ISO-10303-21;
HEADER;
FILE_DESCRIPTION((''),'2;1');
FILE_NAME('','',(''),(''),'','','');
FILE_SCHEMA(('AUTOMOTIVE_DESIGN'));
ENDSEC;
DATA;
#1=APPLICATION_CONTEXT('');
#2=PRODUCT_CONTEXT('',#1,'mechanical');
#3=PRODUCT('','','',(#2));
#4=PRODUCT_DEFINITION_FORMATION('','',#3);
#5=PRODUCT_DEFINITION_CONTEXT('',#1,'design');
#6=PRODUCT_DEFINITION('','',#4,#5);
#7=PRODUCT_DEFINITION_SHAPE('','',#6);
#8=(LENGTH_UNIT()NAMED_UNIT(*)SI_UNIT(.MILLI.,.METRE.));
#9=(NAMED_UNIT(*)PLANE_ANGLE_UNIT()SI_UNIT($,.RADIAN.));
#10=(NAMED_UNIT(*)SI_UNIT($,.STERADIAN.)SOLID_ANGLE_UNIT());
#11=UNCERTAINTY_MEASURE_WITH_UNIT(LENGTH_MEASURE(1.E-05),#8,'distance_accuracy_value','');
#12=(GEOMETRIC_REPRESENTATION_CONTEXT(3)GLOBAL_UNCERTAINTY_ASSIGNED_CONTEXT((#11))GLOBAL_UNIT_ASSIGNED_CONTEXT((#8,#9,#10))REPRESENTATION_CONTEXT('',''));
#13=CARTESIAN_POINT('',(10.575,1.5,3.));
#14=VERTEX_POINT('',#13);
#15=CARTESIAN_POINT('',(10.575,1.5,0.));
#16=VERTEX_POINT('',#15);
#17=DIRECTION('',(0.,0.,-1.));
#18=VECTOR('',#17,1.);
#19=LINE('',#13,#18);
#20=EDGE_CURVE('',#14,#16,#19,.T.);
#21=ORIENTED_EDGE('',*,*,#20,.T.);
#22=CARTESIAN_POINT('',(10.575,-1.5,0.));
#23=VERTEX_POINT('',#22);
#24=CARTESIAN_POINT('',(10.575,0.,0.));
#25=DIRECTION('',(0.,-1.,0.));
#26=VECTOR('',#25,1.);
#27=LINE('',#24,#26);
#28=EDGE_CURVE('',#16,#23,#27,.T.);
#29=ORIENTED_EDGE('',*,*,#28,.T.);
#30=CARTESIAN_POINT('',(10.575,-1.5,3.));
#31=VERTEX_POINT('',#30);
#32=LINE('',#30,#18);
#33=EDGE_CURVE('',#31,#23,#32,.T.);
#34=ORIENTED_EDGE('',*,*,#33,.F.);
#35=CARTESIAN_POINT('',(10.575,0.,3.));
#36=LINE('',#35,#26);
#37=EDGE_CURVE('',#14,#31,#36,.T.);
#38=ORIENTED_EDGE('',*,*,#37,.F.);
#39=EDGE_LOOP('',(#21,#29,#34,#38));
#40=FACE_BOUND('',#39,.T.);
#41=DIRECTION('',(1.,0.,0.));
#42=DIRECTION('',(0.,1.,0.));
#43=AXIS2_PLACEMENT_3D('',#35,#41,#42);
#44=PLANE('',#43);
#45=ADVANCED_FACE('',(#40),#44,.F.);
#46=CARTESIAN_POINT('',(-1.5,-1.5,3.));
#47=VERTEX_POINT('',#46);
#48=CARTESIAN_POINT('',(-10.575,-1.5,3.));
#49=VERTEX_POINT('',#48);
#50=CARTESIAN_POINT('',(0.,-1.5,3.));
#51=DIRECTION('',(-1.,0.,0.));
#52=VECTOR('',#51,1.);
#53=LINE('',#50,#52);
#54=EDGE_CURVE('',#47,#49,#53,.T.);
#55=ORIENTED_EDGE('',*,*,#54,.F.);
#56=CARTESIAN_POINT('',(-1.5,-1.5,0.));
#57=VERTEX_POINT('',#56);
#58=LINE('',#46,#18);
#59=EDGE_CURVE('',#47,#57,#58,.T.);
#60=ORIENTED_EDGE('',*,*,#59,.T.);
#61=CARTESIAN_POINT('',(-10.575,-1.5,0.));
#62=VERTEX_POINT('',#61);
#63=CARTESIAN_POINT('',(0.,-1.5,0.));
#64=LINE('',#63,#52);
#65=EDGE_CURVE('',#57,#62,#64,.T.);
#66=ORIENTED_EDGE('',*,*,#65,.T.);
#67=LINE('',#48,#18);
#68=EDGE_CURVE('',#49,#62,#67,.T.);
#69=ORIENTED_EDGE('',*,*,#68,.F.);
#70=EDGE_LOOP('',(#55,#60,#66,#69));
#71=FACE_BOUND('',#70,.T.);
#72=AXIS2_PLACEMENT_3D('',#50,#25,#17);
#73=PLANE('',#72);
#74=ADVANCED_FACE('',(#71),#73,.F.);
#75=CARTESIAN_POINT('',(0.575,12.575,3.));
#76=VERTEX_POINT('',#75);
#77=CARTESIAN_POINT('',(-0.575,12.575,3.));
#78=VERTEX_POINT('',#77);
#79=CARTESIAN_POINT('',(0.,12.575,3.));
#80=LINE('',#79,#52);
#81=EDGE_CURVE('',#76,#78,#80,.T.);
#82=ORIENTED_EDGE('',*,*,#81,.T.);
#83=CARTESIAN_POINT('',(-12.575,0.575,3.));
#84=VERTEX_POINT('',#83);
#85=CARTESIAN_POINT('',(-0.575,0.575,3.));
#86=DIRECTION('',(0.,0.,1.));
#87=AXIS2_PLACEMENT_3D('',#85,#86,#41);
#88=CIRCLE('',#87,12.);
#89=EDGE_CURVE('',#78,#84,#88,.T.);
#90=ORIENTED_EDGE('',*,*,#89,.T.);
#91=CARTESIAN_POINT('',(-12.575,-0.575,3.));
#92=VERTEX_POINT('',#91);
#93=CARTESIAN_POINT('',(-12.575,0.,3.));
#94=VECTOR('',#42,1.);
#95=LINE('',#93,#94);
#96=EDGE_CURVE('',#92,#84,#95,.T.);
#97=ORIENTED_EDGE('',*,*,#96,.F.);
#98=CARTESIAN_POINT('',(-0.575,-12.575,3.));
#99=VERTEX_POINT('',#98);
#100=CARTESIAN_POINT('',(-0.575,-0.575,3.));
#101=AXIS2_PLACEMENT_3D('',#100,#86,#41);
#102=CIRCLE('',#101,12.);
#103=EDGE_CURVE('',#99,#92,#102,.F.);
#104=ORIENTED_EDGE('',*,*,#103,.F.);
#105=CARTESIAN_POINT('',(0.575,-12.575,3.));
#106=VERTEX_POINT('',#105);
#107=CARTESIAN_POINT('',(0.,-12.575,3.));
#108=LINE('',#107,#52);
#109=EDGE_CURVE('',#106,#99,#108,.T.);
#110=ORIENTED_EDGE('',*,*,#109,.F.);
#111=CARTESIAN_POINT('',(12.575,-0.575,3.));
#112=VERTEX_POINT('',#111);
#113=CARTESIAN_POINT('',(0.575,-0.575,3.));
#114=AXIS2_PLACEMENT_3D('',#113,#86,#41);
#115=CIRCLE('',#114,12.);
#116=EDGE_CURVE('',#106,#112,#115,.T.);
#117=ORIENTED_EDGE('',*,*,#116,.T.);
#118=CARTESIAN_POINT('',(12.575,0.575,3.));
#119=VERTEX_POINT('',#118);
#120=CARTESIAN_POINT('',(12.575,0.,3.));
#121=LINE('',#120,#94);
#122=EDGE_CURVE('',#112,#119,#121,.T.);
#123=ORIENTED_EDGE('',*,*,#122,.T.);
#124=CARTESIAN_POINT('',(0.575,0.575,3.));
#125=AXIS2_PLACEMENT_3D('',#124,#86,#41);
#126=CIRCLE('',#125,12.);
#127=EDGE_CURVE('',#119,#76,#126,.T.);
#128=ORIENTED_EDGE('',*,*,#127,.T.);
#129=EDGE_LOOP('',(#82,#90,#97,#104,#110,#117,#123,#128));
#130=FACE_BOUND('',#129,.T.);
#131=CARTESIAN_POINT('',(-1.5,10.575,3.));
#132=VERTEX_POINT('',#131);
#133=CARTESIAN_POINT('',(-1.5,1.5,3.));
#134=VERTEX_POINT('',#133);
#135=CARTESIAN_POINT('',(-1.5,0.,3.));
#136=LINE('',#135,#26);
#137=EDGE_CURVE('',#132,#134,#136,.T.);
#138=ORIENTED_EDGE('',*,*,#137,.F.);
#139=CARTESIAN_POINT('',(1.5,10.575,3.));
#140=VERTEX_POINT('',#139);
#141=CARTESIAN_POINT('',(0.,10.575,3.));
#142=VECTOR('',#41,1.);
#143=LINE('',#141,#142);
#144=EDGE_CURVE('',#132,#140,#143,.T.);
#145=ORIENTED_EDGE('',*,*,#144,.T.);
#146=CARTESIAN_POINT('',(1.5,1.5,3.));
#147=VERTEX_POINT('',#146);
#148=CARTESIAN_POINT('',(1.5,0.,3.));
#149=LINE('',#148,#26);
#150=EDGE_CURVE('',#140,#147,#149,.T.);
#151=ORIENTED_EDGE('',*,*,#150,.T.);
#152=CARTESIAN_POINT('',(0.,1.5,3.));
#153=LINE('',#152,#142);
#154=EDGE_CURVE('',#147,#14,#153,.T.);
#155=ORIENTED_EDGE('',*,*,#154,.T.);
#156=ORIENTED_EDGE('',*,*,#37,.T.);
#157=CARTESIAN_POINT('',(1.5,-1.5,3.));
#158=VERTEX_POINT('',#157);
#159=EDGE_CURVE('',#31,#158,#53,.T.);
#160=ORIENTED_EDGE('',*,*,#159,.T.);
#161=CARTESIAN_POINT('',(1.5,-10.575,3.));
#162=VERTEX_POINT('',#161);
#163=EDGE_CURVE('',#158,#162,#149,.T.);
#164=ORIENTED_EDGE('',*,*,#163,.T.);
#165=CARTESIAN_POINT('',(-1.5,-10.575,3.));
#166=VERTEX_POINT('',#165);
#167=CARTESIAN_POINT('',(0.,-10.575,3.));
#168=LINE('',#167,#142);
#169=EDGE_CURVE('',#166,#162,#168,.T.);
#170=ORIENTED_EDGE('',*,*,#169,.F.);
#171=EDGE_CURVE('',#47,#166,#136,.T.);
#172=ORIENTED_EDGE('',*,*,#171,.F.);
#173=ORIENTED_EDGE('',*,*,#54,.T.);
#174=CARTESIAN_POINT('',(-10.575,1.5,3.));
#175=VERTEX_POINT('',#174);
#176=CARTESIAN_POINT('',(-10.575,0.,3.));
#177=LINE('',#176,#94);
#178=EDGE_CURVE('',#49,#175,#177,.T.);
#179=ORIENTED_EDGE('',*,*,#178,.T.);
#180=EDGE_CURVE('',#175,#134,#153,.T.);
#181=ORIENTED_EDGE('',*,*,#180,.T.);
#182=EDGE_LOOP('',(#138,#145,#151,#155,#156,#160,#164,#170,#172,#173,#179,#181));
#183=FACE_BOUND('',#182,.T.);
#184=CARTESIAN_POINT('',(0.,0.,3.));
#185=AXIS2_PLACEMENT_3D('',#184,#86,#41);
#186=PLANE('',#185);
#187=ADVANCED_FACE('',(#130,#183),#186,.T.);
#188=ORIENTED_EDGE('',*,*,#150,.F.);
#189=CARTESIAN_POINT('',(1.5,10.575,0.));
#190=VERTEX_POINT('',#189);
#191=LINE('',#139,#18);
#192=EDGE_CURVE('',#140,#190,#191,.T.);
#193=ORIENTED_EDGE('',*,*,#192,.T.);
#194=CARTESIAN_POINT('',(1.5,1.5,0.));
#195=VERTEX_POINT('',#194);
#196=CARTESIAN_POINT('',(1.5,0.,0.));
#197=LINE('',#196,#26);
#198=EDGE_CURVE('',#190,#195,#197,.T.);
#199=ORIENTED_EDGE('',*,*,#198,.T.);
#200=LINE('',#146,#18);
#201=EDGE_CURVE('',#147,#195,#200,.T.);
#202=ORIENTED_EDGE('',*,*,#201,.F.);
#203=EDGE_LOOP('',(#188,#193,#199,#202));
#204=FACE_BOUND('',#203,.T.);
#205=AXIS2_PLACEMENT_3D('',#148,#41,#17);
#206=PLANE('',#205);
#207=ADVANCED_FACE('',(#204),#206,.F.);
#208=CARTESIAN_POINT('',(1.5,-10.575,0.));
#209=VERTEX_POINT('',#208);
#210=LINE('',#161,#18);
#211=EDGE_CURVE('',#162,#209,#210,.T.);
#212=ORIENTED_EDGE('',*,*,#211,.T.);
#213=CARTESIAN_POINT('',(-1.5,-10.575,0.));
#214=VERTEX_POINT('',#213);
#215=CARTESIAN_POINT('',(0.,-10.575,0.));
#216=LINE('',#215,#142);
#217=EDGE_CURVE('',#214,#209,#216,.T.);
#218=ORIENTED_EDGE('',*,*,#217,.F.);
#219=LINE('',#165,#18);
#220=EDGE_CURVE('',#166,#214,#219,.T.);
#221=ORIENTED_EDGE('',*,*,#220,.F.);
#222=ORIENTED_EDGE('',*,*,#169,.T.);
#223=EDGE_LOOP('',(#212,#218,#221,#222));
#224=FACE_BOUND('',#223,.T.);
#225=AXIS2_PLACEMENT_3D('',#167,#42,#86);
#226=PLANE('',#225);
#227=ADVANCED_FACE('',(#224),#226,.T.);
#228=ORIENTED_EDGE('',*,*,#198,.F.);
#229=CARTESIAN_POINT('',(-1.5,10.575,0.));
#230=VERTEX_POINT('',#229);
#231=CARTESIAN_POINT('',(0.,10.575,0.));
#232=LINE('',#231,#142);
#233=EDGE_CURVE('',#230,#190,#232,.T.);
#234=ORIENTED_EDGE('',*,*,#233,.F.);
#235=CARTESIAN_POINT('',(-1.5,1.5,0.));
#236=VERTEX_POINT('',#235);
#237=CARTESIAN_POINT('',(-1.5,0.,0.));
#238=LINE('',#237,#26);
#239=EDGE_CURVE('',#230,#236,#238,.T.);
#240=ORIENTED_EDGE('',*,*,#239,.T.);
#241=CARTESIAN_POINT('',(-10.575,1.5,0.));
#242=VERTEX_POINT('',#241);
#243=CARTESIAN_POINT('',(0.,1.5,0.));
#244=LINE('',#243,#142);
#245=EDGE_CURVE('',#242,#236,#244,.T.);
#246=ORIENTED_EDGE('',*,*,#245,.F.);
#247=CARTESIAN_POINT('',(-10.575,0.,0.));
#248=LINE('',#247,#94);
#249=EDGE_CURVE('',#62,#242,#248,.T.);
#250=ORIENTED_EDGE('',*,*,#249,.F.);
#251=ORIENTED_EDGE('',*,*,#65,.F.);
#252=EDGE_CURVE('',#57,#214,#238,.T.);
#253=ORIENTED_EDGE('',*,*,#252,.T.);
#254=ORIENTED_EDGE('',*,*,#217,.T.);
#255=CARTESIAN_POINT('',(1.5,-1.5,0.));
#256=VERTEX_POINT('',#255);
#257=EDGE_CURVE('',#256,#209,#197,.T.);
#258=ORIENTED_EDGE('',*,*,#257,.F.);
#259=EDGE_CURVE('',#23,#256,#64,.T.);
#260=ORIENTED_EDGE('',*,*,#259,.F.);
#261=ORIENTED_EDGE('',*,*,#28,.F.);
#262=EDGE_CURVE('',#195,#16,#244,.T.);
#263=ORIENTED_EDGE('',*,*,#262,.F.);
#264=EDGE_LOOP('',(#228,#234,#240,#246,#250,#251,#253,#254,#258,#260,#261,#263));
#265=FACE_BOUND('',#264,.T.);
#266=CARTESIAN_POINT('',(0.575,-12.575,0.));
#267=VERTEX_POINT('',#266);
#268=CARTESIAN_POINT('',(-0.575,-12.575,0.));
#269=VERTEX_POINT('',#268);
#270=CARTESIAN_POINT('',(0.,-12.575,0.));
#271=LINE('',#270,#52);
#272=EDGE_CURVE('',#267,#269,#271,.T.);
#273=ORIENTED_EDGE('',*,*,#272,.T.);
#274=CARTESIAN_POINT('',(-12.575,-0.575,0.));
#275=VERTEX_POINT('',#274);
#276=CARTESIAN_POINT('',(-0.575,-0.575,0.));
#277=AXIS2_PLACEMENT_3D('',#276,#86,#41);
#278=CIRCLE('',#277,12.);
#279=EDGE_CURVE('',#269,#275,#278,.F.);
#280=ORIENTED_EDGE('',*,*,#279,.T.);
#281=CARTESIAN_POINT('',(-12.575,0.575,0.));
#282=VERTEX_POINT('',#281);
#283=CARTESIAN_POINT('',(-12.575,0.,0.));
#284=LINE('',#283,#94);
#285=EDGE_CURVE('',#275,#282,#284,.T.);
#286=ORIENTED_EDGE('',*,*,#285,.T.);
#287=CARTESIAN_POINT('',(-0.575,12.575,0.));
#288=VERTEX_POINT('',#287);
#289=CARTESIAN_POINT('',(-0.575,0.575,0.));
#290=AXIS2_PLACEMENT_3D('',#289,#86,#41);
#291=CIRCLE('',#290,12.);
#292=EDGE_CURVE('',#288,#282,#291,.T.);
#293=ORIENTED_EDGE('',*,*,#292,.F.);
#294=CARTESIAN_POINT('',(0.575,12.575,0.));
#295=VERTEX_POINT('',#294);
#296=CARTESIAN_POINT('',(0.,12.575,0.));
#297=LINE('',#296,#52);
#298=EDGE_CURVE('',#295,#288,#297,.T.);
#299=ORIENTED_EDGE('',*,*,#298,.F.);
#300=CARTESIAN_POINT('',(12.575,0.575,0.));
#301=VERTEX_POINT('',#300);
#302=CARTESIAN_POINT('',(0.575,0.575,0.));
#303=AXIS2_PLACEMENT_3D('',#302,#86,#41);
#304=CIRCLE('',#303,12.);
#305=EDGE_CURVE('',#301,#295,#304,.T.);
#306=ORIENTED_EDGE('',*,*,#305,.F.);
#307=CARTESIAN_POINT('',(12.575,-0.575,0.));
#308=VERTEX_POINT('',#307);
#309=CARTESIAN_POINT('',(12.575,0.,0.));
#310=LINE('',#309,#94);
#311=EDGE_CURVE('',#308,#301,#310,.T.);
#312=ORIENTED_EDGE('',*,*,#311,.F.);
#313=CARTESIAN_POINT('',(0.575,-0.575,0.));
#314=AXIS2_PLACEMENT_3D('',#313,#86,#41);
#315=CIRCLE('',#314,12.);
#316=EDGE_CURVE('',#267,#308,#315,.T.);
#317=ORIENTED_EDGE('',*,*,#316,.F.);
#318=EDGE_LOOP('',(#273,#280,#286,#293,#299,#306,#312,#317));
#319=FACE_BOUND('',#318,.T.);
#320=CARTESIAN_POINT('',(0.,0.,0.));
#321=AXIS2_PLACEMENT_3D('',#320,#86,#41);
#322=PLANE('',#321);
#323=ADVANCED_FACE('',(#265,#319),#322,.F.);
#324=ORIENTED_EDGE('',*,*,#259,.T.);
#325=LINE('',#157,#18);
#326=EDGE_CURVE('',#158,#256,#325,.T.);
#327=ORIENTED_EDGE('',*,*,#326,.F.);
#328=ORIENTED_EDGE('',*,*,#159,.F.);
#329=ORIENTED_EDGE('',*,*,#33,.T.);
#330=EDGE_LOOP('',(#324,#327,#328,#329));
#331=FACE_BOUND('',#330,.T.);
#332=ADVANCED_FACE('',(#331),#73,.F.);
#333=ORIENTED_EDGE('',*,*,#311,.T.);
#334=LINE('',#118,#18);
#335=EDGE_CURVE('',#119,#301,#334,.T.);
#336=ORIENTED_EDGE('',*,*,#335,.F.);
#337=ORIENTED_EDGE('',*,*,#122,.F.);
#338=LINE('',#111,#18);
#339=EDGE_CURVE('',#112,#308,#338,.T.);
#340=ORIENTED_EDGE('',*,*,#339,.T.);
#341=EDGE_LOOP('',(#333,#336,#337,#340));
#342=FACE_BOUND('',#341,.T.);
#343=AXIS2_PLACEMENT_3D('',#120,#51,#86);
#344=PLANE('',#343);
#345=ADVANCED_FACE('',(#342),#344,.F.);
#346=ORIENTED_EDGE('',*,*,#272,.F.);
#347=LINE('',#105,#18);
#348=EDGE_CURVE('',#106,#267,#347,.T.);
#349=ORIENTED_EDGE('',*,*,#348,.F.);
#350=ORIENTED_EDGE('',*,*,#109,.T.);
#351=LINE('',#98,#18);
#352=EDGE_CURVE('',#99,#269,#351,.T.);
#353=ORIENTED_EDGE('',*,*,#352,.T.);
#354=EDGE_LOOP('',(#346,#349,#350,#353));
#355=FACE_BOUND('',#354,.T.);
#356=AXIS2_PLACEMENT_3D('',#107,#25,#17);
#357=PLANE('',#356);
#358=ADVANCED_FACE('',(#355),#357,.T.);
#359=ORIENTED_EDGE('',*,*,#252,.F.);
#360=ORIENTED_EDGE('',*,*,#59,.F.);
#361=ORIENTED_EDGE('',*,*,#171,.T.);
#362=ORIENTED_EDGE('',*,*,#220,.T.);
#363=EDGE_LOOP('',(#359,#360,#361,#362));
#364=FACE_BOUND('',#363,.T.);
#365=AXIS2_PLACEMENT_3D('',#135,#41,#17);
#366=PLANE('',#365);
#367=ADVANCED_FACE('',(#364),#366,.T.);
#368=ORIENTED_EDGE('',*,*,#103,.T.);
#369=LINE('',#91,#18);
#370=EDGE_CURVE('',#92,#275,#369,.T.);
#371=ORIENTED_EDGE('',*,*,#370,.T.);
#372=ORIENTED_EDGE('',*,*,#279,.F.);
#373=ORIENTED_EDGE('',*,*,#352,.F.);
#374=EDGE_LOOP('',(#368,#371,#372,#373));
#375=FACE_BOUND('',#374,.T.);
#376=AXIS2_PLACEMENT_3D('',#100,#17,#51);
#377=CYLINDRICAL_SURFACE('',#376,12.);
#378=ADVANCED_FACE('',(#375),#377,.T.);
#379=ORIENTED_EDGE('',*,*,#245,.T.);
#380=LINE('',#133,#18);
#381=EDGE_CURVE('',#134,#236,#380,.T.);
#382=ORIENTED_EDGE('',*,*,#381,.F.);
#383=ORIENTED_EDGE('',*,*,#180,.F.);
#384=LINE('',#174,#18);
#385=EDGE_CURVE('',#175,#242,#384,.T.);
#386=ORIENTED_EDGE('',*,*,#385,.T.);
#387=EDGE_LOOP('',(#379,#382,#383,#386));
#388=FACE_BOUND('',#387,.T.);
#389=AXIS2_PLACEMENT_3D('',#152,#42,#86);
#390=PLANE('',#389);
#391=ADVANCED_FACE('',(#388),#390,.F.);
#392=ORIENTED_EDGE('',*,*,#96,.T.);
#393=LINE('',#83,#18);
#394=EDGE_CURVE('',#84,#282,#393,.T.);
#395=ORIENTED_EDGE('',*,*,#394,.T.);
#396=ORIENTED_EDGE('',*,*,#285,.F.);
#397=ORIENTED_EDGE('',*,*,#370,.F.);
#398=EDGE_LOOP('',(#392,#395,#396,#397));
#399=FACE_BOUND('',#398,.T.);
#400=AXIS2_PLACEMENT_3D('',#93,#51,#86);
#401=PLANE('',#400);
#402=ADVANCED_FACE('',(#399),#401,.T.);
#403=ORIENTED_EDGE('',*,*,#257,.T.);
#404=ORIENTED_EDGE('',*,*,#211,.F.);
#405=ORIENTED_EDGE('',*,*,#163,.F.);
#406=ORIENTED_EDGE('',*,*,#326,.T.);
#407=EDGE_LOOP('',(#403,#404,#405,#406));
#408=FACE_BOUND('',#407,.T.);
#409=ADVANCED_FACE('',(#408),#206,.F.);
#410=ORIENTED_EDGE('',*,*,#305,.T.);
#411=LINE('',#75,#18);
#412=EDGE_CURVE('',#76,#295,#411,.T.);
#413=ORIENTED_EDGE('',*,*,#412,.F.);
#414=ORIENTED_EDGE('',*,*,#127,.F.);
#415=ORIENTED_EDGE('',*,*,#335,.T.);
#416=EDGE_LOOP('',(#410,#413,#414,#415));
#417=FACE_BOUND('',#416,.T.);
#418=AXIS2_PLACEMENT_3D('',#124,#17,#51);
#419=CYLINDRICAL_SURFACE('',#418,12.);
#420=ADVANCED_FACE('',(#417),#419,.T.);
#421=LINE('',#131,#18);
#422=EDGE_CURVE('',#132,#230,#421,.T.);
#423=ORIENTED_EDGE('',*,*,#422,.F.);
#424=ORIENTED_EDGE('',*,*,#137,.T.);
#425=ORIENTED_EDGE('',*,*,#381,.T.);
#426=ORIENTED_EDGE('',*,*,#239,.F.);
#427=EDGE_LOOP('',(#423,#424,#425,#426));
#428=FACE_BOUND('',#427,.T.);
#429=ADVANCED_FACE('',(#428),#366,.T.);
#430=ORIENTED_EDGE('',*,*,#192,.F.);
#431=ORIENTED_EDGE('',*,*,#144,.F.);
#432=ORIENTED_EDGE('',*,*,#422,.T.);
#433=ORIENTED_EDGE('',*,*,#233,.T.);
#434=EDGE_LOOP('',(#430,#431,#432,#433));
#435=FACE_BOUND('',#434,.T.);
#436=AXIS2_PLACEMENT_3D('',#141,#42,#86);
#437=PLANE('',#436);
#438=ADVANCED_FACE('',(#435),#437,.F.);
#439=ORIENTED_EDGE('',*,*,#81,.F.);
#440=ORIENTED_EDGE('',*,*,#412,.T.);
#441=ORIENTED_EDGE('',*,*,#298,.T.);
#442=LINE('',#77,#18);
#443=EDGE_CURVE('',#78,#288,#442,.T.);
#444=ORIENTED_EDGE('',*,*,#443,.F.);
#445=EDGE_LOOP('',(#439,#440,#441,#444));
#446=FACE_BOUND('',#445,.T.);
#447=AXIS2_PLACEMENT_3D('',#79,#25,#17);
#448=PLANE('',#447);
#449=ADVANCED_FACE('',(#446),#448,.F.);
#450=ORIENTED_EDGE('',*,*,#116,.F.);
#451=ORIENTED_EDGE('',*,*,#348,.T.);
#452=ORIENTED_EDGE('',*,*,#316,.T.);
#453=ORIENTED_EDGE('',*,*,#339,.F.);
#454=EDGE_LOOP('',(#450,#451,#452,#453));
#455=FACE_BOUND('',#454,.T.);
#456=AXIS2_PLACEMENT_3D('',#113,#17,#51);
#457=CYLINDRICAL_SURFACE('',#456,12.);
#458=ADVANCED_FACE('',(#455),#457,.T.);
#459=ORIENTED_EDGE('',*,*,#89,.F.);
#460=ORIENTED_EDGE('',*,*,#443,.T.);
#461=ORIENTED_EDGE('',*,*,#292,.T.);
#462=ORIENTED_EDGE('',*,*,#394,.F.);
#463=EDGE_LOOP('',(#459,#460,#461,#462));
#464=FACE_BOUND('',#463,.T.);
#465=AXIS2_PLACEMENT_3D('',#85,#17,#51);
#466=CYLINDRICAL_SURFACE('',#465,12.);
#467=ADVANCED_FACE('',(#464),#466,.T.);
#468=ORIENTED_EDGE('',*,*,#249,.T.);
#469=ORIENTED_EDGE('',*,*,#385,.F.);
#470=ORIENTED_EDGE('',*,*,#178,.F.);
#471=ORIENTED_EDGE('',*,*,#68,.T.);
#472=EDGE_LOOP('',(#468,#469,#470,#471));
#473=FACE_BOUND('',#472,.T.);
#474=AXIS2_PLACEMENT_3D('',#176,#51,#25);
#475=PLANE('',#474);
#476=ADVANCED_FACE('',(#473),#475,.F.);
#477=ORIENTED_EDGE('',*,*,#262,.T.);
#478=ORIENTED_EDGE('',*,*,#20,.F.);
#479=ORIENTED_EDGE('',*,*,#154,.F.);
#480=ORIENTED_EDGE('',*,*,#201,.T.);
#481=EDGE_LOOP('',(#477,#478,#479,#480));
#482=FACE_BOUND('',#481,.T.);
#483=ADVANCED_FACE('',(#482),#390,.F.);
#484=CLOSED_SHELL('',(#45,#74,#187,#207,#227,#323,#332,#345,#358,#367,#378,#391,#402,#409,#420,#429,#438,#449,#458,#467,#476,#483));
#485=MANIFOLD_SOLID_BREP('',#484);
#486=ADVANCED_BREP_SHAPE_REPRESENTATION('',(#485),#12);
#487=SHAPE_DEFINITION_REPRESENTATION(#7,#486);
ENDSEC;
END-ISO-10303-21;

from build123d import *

# Parameters (mm, degrees)
SALIENTE_EXTRUIR1_DEPTH = 3


with BuildPart() as part:
    # Croquis1 → Saliente-Extruir1 (new body)
    with BuildSketch(Plane.XY):
        with BuildLine():
            Line((-0.575, -12.575), (0.575, -12.575))
            ThreePointArc((0.575, -12.575), (9.060281374, -9.060281374), (12.575, -0.575))
            Line((12.575, -0.575), (12.575, 0.575))
            ThreePointArc((12.575, 0.575), (9.060281374, 9.060281374), (0.575, 12.575))
            Line((0.575, 12.575), (-0.575, 12.575))
            ThreePointArc((-0.575, 12.575), (-9.060281374, 9.060281374), (-12.575, 0.575))
            Line((-12.575, 0.575), (-12.575, -0.575))
            ThreePointArc((-12.575, -0.575), (-9.060281374, -9.060281374), (-0.575, -12.575))
        make_face()
        Polygon((-10.575, -1.5), (-10.575, 1.5), (-1.5, 1.5), (-1.5, 10.575), (1.5, 10.575), (1.5, 1.5), (10.575, 1.5), (10.575, -1.5), (1.5, -1.5), (1.5, -10.575), (-1.5, -10.575), (-1.5, -1.5), align=None, mode=Mode.SUBTRACT)
    extrude(amount=SALIENTE_EXTRUIR1_DEPTH)


solid = part.part
